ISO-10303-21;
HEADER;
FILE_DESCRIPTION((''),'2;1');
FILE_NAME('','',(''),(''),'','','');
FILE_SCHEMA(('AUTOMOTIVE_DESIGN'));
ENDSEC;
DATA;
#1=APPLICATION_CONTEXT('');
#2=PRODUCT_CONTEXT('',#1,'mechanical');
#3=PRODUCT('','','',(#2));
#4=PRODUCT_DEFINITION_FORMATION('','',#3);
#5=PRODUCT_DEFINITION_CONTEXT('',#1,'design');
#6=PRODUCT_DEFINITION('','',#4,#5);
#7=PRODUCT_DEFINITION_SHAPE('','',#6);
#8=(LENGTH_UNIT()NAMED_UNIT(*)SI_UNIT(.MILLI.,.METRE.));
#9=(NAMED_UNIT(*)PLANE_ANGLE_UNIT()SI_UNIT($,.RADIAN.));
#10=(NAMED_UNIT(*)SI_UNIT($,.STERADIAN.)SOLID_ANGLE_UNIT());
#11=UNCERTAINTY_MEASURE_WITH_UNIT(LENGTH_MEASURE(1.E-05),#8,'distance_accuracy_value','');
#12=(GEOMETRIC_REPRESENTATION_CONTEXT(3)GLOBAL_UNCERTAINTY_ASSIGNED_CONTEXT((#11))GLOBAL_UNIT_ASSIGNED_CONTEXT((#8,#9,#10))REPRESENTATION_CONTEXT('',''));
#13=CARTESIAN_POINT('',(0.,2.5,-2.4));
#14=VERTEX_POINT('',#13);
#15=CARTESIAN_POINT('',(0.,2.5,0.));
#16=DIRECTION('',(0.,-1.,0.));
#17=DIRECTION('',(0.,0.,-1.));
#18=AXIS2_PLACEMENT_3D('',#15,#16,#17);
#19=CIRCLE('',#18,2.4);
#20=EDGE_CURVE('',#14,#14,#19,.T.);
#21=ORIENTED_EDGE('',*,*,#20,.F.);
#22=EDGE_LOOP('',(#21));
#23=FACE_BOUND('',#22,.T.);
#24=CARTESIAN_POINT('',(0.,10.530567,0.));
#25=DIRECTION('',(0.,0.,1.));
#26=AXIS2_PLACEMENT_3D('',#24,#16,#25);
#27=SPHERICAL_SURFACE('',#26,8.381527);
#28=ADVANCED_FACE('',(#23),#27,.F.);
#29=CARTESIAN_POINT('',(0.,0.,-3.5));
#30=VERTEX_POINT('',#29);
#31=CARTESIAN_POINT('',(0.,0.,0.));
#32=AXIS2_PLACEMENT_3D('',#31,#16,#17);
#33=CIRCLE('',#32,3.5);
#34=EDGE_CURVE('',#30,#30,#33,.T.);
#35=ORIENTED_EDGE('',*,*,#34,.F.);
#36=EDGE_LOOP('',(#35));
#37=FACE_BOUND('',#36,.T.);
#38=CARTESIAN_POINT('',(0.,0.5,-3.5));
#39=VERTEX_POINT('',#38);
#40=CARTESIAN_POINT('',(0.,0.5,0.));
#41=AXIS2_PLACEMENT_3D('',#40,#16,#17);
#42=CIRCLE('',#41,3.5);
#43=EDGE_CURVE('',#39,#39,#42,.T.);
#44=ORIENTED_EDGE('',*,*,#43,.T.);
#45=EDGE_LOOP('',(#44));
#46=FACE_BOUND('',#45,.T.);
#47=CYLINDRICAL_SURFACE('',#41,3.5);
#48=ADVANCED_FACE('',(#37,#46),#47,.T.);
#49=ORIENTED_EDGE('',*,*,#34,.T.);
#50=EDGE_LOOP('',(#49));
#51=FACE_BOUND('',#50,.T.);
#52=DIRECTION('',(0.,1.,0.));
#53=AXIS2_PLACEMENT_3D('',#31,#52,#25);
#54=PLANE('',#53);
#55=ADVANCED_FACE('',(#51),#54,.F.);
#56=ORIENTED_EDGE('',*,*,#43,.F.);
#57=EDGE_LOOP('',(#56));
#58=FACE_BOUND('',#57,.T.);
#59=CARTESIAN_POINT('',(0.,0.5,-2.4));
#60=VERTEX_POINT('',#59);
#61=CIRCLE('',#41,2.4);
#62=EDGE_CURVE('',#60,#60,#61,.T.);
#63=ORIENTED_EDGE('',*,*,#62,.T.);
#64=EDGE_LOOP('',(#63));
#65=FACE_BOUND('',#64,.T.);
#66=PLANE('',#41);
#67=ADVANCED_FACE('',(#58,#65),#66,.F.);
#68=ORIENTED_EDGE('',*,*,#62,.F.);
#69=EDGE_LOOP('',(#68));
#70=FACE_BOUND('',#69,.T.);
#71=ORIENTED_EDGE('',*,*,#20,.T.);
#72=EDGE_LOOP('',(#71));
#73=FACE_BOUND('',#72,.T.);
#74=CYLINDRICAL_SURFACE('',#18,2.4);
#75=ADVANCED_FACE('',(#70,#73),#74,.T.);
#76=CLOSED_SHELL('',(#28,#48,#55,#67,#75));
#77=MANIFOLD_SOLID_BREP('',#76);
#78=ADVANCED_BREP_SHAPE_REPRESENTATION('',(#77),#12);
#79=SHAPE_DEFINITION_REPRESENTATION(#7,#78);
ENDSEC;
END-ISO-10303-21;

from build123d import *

# Parameters (mm, degrees)
SKETCH_1_R      = 2.4
EXTRUDE_1_DEPTH = 2.5
SKETCH_3_R      = 3.5
EXTRUDE_2_DEPTH = 0.5


with BuildPart() as part:
    # Эскиз1 → Бобышка-Вытянуть1 (new body)
    with BuildSketch(Plane(origin=(0, 0, 0), x_dir=(1, 0, 0), z_dir=(0, 1, 0))):
        with Locations(Location((0, 0, 0), (0, 0, 270))):
            Circle(SKETCH_1_R)
    extrude(amount=EXTRUDE_1_DEPTH)

    # Эскиз2 → Вырез-Повернуть1 (revolve, cut)
    with BuildSketch(Plane(origin=(0, 0, 0), x_dir=(0, 0, -1), z_dir=(1, 0, 0))):
        with BuildLine():
            Line((0, 2.5), (0, 2.149039298))
            ThreePointArc((0, 2.149039298), (1.212762695, 2.237243589), (2.4, 2.5))
            Line((2.4, 2.5), (0, 2.5))
        make_face()
    revolve(axis=Axis((0, 2.5, 0), (0, 1, 0)), mode=Mode.SUBTRACT)

    # Эскиз3 → Бобышка-Вытянуть2 (add)
    with BuildSketch(Plane.XZ):
        with Locations(Location((0, 0, 0), (0, 0, 270))):
            Circle(SKETCH_3_R)
    extrude(amount=-EXTRUDE_2_DEPTH)


solid = part.part
